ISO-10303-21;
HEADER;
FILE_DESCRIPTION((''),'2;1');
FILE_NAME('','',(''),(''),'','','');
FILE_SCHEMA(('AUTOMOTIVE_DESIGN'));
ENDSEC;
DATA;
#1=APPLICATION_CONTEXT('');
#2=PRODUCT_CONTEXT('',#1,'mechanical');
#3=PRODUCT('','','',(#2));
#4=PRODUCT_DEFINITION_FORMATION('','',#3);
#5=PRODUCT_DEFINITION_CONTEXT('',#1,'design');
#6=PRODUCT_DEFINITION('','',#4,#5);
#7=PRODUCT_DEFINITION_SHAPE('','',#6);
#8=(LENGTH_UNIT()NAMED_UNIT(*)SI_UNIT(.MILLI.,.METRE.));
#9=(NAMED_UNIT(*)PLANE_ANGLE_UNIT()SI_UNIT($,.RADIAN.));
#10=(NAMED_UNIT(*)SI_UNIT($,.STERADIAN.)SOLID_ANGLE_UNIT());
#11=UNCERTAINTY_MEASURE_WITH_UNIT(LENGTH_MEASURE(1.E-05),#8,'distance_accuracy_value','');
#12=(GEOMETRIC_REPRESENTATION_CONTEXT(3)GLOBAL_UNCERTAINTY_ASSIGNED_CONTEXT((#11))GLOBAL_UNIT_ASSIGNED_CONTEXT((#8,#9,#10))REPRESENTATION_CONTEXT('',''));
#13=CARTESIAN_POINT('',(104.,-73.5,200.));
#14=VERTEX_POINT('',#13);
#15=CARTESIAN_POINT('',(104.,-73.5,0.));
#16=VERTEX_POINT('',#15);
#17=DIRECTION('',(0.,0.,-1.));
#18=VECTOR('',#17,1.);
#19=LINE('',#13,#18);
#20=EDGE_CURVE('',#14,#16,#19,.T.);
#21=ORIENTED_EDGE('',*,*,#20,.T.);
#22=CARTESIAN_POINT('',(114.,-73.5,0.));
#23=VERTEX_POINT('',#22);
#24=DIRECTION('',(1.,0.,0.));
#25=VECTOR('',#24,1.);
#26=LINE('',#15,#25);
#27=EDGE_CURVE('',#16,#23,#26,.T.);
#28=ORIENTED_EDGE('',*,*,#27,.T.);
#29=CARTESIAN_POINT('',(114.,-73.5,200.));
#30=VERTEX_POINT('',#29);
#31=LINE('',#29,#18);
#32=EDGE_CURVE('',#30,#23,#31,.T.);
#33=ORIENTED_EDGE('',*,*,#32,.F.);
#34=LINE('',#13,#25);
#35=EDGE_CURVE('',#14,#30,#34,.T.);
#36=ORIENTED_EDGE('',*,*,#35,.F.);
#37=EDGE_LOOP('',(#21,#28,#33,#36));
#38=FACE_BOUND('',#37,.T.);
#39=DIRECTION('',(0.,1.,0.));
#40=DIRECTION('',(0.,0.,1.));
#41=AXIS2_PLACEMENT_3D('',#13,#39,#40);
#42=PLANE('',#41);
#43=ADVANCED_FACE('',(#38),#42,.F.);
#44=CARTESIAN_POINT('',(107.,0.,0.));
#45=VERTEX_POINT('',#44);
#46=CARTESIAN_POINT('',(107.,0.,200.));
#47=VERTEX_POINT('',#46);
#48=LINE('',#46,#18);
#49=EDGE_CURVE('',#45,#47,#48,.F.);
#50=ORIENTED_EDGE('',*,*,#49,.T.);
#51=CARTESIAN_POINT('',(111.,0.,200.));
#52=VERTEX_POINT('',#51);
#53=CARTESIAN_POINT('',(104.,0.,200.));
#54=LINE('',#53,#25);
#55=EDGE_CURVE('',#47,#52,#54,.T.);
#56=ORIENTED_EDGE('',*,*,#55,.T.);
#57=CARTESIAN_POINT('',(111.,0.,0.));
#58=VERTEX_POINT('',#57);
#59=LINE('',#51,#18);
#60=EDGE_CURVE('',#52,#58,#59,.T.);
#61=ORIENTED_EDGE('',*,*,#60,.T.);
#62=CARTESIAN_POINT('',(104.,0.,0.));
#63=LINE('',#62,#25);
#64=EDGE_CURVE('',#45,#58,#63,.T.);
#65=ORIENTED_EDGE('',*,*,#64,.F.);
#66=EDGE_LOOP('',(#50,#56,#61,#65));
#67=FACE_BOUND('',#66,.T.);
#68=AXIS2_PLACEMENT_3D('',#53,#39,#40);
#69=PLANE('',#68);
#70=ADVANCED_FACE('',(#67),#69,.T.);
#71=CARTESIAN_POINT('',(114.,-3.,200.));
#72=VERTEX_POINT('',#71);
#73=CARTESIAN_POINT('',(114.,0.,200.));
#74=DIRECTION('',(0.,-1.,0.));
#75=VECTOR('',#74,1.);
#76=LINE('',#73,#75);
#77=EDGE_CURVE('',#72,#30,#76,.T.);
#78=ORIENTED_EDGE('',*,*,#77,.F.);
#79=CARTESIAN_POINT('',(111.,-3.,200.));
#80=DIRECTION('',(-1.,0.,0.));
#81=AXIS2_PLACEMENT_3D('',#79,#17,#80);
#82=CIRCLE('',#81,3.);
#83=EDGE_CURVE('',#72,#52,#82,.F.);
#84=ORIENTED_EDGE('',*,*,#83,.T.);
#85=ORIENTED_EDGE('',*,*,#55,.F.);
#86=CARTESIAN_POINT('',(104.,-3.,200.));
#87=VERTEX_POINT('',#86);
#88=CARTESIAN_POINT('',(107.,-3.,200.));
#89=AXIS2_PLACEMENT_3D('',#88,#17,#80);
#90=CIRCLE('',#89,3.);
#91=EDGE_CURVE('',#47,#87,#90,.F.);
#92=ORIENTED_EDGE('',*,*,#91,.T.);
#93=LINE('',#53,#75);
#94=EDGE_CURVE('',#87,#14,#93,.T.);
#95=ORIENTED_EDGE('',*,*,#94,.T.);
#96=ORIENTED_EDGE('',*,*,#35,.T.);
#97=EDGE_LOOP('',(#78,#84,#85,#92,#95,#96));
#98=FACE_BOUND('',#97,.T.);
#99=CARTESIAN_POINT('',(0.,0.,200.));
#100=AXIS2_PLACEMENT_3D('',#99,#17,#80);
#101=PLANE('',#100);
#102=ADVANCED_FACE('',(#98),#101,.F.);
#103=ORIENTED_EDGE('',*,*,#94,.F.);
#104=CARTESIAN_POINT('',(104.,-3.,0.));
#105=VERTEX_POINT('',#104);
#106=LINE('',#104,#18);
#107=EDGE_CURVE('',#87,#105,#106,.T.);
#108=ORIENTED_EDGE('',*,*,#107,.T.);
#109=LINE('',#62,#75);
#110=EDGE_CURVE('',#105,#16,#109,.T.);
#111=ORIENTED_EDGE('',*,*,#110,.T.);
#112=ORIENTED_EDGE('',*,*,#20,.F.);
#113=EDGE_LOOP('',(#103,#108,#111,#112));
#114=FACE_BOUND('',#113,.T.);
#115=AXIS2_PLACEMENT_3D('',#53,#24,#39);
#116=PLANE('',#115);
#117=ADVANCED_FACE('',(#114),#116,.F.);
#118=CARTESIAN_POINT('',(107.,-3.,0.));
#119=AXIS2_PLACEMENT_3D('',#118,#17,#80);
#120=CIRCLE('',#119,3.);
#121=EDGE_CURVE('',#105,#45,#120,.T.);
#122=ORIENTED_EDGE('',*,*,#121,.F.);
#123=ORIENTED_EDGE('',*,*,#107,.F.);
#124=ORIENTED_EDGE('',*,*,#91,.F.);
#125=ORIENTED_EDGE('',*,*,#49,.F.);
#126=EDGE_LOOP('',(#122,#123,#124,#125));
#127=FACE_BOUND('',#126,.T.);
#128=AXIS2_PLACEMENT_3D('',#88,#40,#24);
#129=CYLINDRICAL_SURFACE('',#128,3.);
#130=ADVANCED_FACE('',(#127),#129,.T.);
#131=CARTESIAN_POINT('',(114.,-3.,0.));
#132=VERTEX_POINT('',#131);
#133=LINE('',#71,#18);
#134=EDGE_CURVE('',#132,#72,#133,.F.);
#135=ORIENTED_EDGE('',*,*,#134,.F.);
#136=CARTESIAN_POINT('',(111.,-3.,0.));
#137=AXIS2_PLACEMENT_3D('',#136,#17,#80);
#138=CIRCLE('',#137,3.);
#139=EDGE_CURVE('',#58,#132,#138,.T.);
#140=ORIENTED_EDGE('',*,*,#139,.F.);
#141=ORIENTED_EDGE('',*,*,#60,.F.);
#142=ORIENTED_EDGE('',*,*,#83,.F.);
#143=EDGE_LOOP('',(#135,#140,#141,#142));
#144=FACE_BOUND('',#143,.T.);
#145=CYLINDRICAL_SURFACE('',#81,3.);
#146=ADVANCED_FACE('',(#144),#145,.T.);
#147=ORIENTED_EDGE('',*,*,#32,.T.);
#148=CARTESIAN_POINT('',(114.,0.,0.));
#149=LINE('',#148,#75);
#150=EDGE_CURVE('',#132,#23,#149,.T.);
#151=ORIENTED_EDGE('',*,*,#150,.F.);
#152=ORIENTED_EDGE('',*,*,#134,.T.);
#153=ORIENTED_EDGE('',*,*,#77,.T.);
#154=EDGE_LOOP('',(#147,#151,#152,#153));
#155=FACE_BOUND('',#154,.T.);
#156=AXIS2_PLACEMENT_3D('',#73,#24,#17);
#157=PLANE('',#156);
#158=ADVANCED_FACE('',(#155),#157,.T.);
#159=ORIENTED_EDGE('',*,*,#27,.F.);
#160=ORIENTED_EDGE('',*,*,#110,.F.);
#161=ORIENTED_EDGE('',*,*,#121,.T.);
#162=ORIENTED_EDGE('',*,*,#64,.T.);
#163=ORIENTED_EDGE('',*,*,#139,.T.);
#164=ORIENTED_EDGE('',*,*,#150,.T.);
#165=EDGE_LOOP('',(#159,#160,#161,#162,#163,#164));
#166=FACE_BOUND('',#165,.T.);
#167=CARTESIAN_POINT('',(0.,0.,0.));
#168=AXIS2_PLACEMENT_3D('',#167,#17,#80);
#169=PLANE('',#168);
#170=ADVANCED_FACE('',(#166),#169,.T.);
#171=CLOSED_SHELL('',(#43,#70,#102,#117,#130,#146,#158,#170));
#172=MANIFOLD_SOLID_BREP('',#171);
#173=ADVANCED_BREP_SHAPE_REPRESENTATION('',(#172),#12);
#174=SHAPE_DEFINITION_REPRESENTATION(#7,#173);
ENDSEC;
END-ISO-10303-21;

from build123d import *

# Parameters (mm, degrees)
ESQUISSE1_W        = 10
ESQUISSE1_H        = 73.5
BOSS_EXTRU_1_DEPTH = 200
CONG_1_R           = 3


with BuildPart() as part:
    # Esquisse1 → Boss.-Extru.1 (new body)
    with BuildSketch(Plane.XY):
        with Locations((109, -36.75)):
            Rectangle(ESQUISSE1_W, ESQUISSE1_H)
    extrude(amount=BOSS_EXTRU_1_DEPTH)

    # Congé1
    cong_1_edges = [part.edges().sort_by_distance(p)[0] for p in [
        (104, 0, 100),
        (114, 0, 100),
    ]]
    fillet(cong_1_edges, radius=CONG_1_R)


solid = part.part
